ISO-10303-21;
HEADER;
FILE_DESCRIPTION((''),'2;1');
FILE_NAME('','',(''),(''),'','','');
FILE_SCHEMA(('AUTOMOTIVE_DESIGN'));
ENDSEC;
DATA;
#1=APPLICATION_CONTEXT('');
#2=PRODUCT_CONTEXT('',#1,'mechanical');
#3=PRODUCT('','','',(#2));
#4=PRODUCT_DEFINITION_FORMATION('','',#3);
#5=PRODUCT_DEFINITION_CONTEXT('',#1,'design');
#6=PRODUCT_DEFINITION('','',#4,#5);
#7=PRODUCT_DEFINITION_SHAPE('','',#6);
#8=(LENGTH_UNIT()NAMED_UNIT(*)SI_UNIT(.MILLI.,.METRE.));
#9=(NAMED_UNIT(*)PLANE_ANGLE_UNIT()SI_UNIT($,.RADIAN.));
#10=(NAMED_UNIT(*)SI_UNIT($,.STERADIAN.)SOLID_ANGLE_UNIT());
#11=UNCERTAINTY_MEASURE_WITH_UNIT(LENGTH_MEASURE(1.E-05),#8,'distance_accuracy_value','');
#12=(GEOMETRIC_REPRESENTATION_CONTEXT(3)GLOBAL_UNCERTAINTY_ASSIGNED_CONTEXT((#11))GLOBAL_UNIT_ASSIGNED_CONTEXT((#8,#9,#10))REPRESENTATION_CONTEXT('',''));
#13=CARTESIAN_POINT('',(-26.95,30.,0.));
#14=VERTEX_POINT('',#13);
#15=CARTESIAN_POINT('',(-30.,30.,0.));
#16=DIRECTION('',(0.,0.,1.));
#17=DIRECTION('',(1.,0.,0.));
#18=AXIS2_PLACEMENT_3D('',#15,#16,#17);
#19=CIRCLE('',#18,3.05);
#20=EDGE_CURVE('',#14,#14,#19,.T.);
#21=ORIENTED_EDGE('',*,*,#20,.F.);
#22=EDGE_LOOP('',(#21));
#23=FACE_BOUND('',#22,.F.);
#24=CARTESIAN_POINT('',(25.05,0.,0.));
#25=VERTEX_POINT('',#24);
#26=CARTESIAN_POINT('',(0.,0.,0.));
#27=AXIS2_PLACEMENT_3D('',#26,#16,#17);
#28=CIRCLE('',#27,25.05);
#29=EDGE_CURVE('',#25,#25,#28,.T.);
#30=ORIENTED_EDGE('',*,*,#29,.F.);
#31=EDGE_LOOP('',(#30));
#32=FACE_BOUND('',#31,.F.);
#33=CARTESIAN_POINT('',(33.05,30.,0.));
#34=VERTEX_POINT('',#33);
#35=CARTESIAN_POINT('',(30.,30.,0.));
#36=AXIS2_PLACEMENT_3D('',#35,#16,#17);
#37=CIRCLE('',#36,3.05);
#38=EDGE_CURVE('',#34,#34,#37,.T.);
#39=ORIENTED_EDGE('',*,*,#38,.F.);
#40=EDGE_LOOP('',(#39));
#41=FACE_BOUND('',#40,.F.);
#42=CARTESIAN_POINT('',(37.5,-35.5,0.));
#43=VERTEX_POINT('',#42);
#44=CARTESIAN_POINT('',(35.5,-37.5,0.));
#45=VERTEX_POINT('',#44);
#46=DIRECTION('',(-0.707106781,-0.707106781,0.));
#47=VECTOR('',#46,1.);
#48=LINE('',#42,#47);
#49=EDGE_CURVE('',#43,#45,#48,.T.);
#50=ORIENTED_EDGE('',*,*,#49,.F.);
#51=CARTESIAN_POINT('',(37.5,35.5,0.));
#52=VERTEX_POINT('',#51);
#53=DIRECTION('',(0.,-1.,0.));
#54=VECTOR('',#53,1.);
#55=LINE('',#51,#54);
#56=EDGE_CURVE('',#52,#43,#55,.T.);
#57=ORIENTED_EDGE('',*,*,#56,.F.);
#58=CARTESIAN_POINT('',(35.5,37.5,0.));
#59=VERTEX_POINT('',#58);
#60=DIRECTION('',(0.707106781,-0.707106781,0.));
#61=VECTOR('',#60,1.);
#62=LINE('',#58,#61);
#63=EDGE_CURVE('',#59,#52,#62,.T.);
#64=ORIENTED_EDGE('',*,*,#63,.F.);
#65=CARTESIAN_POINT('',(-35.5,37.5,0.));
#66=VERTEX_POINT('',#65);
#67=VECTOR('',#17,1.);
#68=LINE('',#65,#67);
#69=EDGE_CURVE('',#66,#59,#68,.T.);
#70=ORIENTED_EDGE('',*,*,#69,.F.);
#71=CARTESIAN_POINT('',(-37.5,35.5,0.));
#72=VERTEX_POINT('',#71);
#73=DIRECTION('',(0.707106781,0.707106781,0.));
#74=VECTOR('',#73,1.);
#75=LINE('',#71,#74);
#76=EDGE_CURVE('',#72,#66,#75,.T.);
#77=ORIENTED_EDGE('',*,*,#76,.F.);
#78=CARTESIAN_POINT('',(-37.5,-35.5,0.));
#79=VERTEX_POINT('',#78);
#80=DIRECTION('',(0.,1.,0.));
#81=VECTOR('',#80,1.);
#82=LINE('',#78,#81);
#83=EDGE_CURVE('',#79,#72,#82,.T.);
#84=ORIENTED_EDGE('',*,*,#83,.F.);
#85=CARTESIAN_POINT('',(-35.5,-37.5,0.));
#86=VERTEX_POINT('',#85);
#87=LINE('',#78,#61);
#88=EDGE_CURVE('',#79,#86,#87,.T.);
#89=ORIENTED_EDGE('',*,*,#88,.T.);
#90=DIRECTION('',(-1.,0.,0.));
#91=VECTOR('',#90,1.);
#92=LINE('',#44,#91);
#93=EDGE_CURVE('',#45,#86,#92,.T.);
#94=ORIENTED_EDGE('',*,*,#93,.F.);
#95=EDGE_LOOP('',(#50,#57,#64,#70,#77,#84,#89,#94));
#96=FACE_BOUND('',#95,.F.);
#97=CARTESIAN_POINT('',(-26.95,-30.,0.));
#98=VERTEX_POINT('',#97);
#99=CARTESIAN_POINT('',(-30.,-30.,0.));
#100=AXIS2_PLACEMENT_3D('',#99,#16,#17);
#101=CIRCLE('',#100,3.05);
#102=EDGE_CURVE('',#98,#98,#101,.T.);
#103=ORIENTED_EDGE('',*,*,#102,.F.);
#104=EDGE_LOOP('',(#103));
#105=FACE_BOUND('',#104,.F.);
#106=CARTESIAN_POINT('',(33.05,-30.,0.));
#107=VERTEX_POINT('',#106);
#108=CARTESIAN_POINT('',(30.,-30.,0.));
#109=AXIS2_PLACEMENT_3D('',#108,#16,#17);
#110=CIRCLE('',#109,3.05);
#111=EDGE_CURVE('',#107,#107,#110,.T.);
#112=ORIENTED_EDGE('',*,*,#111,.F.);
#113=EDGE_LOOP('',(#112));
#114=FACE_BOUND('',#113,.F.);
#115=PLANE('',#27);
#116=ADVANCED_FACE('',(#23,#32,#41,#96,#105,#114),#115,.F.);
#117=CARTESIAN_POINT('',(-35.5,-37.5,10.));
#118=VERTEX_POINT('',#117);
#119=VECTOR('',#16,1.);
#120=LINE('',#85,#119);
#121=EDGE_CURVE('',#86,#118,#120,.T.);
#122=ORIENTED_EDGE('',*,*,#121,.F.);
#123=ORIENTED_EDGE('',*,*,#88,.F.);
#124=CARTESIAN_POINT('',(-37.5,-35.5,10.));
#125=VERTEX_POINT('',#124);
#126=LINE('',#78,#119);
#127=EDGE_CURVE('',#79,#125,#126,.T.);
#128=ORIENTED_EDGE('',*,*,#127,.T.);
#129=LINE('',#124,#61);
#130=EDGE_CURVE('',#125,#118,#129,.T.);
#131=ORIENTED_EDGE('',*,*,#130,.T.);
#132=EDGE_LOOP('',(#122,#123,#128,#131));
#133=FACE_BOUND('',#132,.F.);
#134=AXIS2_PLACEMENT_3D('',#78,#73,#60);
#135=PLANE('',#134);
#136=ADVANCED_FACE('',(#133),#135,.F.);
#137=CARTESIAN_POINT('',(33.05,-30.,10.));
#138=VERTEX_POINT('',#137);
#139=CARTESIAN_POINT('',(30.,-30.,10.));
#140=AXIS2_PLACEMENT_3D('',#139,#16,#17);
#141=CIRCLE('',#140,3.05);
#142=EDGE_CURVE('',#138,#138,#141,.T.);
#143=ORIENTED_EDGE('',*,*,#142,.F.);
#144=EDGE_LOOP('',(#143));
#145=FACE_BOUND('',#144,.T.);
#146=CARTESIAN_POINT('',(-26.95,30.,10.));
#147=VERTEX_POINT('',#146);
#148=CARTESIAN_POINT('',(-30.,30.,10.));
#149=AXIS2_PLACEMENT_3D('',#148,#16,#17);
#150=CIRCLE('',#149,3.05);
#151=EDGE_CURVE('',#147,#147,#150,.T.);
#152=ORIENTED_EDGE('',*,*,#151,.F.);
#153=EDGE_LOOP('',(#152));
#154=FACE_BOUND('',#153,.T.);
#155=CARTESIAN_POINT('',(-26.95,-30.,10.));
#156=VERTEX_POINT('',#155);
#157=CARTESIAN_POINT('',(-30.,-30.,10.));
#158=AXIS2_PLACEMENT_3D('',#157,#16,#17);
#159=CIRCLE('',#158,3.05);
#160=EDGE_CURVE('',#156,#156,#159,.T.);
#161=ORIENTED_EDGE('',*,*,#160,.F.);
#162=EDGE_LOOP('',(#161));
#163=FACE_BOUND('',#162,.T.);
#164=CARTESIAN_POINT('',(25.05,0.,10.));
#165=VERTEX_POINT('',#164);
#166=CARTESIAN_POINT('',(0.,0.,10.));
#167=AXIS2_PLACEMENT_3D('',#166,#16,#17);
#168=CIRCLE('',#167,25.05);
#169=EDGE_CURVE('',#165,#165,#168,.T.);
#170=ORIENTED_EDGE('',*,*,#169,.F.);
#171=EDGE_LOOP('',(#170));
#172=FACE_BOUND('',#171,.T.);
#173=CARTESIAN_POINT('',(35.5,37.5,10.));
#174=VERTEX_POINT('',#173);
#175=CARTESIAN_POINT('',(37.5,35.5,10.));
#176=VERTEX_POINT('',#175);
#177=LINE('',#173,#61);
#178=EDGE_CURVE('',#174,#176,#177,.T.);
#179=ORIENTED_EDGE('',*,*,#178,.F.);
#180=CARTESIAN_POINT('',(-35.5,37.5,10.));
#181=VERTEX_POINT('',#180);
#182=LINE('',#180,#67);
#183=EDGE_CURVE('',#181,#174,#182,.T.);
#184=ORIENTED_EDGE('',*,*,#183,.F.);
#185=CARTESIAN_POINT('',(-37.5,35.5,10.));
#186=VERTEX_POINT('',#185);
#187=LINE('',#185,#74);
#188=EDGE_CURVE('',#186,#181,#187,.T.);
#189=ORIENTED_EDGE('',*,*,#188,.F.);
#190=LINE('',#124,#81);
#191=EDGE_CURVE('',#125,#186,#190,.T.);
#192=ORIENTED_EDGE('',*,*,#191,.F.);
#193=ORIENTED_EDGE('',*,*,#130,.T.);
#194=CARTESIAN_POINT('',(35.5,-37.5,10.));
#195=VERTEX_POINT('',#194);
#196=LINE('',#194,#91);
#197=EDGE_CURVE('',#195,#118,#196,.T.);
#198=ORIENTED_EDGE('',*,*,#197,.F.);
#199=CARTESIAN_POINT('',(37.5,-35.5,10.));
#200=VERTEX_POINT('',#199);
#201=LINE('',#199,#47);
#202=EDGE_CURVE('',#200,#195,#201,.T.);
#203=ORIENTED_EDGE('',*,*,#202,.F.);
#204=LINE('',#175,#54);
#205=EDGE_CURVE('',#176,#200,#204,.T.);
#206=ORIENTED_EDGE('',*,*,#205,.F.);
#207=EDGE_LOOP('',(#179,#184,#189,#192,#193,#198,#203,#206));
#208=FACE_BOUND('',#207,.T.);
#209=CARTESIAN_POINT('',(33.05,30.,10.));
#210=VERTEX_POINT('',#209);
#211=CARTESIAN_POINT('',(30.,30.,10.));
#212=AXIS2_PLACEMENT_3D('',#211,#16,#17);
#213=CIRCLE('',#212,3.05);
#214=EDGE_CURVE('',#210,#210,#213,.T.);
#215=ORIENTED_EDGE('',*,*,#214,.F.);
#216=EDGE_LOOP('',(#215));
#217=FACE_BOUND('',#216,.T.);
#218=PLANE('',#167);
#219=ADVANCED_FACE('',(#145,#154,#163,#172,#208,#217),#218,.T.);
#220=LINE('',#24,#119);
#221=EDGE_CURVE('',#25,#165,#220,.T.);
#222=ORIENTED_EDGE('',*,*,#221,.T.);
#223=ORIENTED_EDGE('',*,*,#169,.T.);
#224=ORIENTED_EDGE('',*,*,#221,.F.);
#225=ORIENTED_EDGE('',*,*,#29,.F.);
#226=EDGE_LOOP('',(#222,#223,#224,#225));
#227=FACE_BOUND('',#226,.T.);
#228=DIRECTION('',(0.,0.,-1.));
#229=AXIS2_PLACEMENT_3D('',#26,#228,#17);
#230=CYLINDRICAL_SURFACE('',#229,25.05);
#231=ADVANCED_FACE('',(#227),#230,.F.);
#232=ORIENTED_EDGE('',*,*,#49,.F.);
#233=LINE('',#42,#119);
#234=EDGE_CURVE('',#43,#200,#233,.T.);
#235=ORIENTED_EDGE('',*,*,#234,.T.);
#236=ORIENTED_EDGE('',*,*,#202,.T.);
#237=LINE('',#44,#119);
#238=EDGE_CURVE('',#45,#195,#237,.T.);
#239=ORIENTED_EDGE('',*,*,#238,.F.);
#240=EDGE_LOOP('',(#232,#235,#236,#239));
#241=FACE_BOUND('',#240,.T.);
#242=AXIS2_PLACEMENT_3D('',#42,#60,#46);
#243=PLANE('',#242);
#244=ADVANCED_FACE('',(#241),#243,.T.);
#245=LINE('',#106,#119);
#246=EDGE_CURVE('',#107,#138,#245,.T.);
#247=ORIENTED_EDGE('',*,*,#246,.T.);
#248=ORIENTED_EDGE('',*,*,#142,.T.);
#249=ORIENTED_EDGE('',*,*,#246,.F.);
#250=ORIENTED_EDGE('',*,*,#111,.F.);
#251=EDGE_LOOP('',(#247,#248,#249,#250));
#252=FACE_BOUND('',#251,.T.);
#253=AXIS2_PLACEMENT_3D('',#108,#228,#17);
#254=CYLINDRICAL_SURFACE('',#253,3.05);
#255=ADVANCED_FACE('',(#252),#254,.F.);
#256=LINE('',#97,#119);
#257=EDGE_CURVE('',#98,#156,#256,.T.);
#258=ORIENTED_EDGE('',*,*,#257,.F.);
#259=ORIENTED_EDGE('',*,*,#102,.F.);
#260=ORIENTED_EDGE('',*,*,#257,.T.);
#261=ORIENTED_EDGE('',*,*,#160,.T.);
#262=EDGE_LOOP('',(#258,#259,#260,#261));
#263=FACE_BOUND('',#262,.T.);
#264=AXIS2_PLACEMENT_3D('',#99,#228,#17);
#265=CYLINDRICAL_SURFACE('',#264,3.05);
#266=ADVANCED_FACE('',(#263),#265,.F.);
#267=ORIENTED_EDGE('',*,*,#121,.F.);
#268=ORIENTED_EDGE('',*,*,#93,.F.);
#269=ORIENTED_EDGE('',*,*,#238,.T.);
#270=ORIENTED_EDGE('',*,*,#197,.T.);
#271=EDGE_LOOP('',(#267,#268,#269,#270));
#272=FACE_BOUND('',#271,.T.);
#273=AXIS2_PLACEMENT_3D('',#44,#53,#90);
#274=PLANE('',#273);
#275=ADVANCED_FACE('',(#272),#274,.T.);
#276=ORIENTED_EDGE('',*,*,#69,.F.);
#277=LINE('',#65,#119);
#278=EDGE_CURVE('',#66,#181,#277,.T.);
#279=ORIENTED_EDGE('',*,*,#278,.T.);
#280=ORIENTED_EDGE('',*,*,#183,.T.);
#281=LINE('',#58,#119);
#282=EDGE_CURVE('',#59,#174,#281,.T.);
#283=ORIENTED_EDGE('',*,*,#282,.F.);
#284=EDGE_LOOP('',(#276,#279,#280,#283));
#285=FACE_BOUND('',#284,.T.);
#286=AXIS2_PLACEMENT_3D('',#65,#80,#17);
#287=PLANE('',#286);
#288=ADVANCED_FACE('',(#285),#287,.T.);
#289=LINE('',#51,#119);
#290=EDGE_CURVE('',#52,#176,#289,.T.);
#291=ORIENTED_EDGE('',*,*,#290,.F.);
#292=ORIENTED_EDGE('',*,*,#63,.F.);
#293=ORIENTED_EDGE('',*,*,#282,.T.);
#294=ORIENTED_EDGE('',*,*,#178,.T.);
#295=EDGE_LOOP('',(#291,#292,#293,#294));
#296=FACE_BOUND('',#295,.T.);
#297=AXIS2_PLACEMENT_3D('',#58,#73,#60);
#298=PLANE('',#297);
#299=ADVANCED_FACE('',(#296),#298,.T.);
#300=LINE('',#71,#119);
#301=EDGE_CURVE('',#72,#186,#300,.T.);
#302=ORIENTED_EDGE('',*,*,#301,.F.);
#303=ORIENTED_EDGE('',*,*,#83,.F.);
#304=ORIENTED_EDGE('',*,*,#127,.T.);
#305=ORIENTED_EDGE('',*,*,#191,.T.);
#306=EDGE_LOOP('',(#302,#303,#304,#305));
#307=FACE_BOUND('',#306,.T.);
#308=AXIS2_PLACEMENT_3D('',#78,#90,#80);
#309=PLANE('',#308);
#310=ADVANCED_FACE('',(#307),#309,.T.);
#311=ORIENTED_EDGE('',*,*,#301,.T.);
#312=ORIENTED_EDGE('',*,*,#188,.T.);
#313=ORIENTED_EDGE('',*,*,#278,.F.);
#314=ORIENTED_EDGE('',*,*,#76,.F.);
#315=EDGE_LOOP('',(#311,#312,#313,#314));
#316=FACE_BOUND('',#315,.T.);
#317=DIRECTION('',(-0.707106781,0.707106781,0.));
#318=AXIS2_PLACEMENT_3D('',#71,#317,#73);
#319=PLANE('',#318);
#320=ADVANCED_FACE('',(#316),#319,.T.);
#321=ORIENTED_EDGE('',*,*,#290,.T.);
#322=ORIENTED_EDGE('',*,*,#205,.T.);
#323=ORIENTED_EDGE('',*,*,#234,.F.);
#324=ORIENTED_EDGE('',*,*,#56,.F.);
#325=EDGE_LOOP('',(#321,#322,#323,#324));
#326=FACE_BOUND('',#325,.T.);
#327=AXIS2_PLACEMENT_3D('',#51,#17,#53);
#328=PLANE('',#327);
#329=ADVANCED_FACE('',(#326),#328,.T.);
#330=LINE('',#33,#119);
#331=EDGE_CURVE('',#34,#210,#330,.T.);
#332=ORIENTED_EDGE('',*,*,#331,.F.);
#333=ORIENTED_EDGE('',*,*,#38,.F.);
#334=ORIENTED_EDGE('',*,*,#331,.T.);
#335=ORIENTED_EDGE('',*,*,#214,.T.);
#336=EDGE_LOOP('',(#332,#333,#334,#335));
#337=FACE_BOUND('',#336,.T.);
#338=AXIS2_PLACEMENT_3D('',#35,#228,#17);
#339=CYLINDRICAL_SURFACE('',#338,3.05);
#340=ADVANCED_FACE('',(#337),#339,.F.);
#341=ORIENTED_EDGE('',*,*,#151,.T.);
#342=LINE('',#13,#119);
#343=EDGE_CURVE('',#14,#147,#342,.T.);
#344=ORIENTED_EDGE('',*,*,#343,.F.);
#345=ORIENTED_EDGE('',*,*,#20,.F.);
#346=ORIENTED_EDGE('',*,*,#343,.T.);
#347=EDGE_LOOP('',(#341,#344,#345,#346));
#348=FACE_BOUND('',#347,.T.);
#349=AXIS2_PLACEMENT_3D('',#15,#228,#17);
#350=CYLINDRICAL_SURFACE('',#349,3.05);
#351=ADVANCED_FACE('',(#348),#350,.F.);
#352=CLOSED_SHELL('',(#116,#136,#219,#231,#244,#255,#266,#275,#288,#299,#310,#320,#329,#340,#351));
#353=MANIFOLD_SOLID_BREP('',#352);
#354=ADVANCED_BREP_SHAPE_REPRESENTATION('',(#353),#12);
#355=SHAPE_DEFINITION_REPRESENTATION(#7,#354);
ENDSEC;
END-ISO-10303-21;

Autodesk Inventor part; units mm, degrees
ref_plane "YZ Plane" through (0, 0, 0) normal (1, 0, 0) x (0, 1, 0)
ref_plane "XZ Plane" through (0, 0, 0) normal (0, 1, 0) x (-1, 0, 0)
ref_plane "XY Plane" through (0, 0, 0) normal (0, 0, 1) x (1, 0, 0)
sketch "Szkic1" plane through (0, 0, 0) normal (0, 0, 1) x (1, 0, 0)
  line L0 (-30, 30) -> (30, 30) construction
  line L1 (30, 30) -> (30, -30) construction
  line L2 (30, -30) -> (-30, -30) construction
  line L3 (-30, -30) -> (-30, 30) construction
  line L4 (-30, 30) -> (30, -30) construction
  line L5 (30, 30) -> (-30, -30) construction
  circle A0 centre (-30, 30) radius 3.05
  circle A1 centre (-30, -30) radius 3.05
  circle A2 centre (30, -30) radius 3.05
  circle A3 centre (30, 30) radius 3.05
  line L6 (-35.5, 37.5) -> (35.5, 37.5)
  line L7 (37.5, 35.5) -> (37.5, -35.5)
  line L8 (35.5, -37.5) -> (-35.5, -37.5)
  line L9 (-37.5, -35.5) -> (-37.5, 35.5)
  line L10 (-37.5, 37.5) -> (37.5, -37.5) construction
  line L11 (37.5, 37.5) -> (-37.5, -37.5) construction
  line L12 (-37.5, 35.5) -> (-35.5, 37.5)
  line L13 (35.5, 37.5) -> (37.5, 35.5)
  line L14 (37.5, -35.5) -> (35.5, -37.5)
  line L15 (-37.5, -35.5) -> (-35.5, -37.5)
  circle A4 centre (0, 0) radius 25.05
  dimension "d0" = 60
  dimension "d1" = 60
  dimension "d2" = 6.1
  dimension "d3" = 75
  dimension "d4" = 75
  dimension "d5" = 2
  dimension "d6" = 2
  dimension "d7" = 2
  dimension "d8" = 2
  dimension "d9" = 2
  dimension "d10" = 2
  dimension "d11" = 2
  dimension "d12" = 2
  dimension "d13" = 50.1
extrude "Wyciągnięcie proste1" add sketch "Szkic1" along normal blind 10
equation "\"d6\" = d5"
equation "\"d7\" = d5"
equation "\"d8\" = d7"
equation "\"d9\" = d5"
equation "\"d10\" = d9"
equation "\"d11\" = d5"
equation "\"d12\" = d11"
properties part number "mst"
